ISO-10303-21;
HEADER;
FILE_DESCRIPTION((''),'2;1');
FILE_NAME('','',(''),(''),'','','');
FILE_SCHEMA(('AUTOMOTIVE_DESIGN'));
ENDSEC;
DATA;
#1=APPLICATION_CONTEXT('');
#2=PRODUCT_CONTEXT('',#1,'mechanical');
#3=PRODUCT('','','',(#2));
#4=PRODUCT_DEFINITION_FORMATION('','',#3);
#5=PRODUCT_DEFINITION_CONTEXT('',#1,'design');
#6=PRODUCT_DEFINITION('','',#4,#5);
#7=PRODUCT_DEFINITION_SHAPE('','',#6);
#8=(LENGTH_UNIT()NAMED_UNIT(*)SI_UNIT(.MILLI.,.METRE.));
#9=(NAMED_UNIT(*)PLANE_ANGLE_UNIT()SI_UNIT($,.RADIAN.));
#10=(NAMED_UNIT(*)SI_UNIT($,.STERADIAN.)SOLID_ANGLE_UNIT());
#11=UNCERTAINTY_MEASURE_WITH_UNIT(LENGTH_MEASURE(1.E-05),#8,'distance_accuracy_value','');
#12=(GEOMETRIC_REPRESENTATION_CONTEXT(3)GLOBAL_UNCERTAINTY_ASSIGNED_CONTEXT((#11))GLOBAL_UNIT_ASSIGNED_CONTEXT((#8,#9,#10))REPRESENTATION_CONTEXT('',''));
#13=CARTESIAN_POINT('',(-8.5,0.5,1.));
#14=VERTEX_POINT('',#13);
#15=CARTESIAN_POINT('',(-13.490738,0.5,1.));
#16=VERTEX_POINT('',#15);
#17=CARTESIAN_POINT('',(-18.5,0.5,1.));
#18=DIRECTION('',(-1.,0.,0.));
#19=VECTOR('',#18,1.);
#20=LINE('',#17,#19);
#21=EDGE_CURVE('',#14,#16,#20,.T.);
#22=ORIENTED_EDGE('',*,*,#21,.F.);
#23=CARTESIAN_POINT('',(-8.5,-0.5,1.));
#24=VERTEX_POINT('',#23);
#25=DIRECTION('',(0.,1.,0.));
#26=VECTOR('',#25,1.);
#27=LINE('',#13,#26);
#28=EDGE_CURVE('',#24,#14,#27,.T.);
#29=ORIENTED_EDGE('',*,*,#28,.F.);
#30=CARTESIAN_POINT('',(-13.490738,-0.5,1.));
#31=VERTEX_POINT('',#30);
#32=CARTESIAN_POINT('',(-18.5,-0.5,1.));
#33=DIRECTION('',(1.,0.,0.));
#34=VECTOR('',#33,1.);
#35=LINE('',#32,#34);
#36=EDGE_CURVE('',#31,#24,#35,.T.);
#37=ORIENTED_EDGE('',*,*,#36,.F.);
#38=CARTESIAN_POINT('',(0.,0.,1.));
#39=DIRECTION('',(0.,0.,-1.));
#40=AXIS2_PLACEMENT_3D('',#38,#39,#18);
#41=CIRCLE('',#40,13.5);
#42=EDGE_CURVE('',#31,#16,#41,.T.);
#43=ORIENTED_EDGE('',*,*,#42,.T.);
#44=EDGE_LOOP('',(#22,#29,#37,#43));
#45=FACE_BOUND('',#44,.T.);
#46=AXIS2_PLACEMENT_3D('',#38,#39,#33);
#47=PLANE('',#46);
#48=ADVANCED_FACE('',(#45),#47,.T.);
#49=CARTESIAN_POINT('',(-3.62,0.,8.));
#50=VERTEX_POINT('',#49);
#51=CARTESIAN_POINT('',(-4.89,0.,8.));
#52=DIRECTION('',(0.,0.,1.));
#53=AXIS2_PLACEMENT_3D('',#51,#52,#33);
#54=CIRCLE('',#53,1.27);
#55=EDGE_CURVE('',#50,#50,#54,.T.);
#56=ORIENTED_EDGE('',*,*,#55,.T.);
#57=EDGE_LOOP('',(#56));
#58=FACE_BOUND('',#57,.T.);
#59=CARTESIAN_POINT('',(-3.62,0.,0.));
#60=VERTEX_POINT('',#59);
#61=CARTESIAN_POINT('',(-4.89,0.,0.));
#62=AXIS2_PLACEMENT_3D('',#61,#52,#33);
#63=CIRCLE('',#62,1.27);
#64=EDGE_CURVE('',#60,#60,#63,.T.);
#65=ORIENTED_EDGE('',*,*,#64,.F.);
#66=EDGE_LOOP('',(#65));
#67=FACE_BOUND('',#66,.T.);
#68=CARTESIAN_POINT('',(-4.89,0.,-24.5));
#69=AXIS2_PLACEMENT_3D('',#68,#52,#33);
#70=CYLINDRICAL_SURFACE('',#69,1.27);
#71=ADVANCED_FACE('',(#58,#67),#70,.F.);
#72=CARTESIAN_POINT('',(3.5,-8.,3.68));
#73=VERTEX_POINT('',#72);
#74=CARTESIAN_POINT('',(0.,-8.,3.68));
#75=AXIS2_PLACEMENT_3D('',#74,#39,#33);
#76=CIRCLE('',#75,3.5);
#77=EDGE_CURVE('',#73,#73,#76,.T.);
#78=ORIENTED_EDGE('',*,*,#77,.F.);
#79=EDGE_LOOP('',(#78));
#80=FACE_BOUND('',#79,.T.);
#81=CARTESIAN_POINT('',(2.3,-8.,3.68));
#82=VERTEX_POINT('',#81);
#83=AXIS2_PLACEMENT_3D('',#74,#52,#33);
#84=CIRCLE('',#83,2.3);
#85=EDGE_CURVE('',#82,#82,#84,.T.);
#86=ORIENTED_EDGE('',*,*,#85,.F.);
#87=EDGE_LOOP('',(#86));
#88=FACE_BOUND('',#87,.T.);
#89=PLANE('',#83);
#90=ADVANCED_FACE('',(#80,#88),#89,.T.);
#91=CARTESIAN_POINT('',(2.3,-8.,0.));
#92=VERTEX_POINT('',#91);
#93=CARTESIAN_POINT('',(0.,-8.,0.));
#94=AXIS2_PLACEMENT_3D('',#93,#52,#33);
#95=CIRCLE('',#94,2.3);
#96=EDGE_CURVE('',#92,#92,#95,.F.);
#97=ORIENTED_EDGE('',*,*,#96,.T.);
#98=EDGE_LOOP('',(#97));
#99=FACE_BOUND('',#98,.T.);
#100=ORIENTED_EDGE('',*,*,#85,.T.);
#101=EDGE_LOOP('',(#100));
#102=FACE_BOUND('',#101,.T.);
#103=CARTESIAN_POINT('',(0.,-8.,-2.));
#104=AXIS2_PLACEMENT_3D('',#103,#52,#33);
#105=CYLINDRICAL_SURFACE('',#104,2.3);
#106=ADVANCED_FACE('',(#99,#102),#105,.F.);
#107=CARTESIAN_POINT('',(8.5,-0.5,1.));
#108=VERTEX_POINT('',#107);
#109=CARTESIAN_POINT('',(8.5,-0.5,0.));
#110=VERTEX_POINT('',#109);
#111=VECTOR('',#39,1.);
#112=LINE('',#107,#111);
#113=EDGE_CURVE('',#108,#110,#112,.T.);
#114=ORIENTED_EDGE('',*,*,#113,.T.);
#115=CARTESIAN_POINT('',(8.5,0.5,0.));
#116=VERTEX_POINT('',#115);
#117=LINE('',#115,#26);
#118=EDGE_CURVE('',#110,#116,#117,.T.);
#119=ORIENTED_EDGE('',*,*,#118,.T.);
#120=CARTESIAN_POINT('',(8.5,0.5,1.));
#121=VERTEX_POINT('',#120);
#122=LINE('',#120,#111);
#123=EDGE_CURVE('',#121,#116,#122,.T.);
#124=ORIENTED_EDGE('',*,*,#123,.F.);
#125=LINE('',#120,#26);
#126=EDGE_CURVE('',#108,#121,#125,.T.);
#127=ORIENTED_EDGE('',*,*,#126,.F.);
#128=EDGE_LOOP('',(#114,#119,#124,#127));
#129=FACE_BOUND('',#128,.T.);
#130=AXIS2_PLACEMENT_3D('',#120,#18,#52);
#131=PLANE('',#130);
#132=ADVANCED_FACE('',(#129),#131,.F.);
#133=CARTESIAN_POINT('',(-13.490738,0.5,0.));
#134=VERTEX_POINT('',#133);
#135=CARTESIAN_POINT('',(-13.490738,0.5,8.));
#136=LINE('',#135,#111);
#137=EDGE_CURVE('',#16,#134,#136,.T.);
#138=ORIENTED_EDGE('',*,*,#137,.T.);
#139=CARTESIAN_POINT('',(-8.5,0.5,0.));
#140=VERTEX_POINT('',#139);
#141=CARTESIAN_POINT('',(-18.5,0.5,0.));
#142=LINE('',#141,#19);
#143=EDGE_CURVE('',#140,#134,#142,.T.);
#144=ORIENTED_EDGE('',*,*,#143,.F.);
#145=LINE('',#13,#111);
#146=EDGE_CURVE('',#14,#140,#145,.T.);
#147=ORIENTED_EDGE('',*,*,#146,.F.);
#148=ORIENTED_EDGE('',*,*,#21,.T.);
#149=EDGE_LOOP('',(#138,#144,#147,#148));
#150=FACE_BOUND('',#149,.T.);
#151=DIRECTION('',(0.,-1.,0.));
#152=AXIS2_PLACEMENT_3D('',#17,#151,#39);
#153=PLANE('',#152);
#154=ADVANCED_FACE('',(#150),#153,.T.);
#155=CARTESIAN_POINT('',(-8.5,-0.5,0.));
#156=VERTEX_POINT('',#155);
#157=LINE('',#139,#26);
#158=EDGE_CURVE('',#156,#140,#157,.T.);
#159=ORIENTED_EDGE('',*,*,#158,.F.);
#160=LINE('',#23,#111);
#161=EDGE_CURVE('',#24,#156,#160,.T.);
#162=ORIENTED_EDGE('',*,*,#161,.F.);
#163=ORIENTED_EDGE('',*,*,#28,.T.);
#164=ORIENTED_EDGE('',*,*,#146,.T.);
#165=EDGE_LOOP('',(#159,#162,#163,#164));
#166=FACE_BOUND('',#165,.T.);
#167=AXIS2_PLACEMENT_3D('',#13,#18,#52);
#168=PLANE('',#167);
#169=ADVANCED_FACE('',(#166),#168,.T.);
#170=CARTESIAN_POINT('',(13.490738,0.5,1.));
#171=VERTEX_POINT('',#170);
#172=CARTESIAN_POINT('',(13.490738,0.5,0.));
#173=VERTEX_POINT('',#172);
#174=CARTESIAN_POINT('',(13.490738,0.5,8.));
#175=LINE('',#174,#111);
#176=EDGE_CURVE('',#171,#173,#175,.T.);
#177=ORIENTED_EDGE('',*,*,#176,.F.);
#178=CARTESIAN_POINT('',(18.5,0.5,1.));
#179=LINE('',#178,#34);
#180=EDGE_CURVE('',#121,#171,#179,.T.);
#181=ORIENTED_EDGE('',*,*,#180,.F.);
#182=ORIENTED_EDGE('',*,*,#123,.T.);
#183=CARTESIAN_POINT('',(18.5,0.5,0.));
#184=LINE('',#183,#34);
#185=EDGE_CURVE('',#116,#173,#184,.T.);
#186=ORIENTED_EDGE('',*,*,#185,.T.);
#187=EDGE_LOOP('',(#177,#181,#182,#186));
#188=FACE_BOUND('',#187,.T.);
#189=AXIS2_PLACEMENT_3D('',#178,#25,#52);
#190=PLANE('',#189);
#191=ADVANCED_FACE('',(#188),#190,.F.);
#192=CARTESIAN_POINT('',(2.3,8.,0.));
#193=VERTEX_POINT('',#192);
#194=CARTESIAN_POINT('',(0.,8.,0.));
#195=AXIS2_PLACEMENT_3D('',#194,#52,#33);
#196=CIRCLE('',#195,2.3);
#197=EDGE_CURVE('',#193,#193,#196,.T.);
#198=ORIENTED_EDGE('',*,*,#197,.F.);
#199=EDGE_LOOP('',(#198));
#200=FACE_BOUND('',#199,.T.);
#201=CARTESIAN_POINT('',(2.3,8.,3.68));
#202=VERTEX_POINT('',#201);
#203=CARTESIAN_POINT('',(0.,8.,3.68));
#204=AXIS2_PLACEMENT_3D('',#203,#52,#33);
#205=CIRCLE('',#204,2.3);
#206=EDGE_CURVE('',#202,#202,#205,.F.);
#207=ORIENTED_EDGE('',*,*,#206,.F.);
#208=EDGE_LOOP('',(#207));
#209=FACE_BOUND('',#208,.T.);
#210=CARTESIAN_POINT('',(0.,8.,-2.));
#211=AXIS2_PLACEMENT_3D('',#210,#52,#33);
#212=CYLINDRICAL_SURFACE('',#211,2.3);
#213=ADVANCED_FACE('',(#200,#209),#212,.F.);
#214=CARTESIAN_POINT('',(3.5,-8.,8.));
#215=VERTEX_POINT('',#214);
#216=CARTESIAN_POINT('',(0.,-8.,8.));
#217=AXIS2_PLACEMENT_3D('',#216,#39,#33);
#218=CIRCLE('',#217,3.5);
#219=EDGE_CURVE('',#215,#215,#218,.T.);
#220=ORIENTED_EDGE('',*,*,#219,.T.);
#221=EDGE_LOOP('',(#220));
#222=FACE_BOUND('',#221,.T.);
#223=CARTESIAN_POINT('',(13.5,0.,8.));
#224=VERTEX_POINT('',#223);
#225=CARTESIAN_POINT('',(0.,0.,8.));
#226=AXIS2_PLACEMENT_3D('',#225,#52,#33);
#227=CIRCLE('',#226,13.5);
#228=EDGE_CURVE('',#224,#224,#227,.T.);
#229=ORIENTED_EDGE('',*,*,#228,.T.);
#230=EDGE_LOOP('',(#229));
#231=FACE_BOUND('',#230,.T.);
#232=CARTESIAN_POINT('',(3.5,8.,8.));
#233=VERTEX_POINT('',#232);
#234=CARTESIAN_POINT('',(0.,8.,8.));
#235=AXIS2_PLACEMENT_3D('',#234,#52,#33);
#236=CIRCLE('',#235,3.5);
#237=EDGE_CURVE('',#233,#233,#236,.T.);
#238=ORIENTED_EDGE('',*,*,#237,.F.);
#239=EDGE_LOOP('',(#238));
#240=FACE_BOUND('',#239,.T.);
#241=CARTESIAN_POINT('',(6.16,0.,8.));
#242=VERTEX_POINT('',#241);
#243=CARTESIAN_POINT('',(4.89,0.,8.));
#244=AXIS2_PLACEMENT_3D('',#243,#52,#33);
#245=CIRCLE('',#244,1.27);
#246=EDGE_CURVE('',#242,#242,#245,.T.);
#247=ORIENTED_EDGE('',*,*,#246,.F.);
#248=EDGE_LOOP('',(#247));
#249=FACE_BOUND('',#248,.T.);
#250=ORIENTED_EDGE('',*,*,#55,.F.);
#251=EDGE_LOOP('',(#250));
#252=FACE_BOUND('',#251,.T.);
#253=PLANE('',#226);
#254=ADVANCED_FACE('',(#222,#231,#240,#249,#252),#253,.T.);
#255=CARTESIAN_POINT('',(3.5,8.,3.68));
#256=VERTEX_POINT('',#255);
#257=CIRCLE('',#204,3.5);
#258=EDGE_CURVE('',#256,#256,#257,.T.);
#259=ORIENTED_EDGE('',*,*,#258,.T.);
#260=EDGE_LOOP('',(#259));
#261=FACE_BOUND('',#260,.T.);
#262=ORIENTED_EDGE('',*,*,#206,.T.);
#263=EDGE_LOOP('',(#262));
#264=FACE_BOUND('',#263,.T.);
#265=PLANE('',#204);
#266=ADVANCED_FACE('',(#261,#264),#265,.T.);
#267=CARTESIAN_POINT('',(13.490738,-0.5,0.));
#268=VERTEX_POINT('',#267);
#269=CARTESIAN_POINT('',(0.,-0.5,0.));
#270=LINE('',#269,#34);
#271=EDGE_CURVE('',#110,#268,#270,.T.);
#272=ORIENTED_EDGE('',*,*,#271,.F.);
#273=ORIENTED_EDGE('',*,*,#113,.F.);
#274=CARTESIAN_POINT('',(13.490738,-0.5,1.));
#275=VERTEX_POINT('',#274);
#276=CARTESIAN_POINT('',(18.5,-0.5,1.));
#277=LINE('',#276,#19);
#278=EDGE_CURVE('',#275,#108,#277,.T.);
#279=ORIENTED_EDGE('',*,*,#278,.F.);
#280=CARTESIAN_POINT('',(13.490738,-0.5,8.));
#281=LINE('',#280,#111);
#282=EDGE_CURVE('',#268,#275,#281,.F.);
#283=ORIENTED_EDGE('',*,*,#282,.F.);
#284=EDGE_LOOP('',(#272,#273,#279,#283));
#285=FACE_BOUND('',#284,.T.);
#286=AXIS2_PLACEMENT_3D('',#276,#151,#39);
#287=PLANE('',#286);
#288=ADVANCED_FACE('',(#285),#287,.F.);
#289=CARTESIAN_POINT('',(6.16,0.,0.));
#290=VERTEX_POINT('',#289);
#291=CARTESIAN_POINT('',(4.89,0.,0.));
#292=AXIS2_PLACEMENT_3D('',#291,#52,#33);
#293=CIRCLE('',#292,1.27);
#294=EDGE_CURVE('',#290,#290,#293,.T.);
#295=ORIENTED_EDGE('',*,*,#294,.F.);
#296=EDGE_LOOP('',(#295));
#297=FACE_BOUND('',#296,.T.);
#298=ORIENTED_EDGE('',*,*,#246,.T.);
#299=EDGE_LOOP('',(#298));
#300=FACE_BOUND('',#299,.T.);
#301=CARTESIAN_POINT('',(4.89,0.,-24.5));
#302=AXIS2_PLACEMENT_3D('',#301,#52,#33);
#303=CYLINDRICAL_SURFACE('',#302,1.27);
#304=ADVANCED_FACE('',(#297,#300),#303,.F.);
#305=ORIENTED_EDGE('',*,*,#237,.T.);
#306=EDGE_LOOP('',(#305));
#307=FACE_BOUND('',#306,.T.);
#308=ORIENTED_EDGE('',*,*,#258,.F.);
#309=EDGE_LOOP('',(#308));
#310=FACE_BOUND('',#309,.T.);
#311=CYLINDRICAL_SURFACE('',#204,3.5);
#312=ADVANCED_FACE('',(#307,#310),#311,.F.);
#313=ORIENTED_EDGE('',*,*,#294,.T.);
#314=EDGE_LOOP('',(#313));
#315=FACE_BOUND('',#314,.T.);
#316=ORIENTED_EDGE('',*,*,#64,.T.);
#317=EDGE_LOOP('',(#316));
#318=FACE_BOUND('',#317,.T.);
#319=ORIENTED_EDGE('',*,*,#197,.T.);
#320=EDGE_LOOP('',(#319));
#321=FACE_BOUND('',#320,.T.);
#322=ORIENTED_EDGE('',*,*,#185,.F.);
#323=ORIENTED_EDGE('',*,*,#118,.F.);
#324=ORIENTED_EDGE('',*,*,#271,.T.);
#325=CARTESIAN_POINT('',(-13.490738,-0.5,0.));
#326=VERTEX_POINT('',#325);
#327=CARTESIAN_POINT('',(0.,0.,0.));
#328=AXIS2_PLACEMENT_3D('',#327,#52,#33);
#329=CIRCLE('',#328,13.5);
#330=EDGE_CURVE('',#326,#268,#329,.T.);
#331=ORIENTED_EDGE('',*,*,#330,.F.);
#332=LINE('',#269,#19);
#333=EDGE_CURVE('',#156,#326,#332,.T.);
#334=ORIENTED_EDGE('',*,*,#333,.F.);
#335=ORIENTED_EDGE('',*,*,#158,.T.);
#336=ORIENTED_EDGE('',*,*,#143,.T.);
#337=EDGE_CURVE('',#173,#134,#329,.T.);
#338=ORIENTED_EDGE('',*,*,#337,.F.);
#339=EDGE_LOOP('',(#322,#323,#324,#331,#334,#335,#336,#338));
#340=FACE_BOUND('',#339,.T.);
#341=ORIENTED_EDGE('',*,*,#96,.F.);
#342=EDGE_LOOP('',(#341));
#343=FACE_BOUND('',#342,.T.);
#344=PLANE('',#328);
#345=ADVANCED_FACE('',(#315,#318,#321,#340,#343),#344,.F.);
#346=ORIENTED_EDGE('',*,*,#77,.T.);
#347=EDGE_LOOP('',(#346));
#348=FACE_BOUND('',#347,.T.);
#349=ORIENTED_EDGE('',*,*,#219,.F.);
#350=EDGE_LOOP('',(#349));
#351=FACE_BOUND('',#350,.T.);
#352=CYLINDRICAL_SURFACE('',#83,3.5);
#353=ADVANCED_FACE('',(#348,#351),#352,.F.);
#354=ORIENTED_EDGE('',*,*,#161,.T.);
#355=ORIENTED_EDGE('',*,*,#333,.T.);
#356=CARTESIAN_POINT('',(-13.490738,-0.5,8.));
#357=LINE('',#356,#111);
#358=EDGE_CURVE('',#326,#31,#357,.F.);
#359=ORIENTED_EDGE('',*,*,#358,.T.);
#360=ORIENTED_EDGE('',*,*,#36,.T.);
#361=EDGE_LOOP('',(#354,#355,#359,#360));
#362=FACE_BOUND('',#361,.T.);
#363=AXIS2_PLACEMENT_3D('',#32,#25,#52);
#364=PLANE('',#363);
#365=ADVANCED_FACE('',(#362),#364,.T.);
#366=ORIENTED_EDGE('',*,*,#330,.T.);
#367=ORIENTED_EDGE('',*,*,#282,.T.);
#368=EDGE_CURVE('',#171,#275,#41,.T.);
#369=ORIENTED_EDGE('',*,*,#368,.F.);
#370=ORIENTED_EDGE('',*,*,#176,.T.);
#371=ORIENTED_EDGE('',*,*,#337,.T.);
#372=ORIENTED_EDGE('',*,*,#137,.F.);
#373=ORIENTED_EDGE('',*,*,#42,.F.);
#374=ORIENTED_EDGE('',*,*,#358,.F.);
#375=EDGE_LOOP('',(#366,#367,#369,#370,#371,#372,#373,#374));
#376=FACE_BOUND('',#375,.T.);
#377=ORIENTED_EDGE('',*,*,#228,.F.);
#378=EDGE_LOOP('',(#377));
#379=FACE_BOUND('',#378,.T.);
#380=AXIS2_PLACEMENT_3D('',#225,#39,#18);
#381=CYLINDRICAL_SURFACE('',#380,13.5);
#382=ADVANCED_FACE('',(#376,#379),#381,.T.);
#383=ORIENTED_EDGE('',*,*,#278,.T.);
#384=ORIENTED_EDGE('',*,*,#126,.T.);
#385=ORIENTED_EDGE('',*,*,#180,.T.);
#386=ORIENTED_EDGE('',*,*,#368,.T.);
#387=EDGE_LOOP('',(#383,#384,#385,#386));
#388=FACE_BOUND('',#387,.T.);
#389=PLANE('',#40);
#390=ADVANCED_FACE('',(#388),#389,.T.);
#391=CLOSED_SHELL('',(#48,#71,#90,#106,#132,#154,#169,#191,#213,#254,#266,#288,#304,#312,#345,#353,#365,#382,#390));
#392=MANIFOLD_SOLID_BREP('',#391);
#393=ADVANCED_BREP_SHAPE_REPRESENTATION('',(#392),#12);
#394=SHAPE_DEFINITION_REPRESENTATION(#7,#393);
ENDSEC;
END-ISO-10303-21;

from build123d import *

# Parameters (mm, degrees)
SKETCH2_R           = 13.5
BOSS_EXTRUDE1_DEPTH = 8
SKETCH5_R           = 2.3
CUT_EXTRUDE4_DEPTH  = 10
SKETCH8_W           = 10
SKETCH8_H           = 1
CUT_EXTRUDE5_DEPTH  = 1
SKETCH11_R          = 3.5
CUT_EXTRUDE6_DEPTH  = 4.32
SKETCH12_R          = 1.27
CUT_EXTRUDE7_DEPTH  = 32.5


with BuildPart() as part:
    # Sketch2 → Boss-Extrude1 (new body)
    with BuildSketch(Plane.XY):
        Circle(SKETCH2_R)
    extrude(amount=BOSS_EXTRUDE1_DEPTH)

    # Sketch5 → Cut-Extrude4 (cut)
    with BuildSketch(Plane.XY.offset(8)):
        with Locations((0, 8)):
            Circle(SKETCH5_R)
    cut_extrude4 = extrude(amount=-CUT_EXTRUDE4_DEPTH, mode=Mode.SUBTRACT)

    # Mirror1: Cut-Extrude4 across plane
    add(cut_extrude4.mirror(Plane.ZX), mode=Mode.SUBTRACT)

    # Sketch8 → Cut-Extrude5 (cut)
    with BuildSketch(Plane(origin=(0, 0, 0), x_dir=(-1, 0, 0), z_dir=(0, 0, -1))):
        with Locations((-13.5, 0)):
            Rectangle(SKETCH8_W, SKETCH8_H)
    cut_extrude5 = extrude(amount=-CUT_EXTRUDE5_DEPTH, mode=Mode.SUBTRACT)

    # Mirror2: Cut-Extrude5 across plane
    add(cut_extrude5.mirror(Plane(origin=(0, 0, 0), x_dir=(0, 0, 1), z_dir=(1, 0, 0))), mode=Mode.SUBTRACT)

    # Sketch11 → Cut-Extrude6 (cut)
    with BuildSketch(Plane.XY.offset(8)):
        with Locations((0, 8)):
            Circle(SKETCH11_R)
    cut_extrude6 = extrude(amount=-CUT_EXTRUDE6_DEPTH, mode=Mode.SUBTRACT)

    # Mirror3: Cut-Extrude6 across plane
    add(cut_extrude6.mirror(Plane.ZX), mode=Mode.SUBTRACT)

    # Sketch12 → Cut-Extrude7 (cut)
    with BuildSketch(Plane.XY.offset(8)):
        with Locations((4.89, 0)):
            Circle(SKETCH12_R)
        with Locations((-4.89, 0)):
            Circle(SKETCH12_R)
    extrude(amount=-CUT_EXTRUDE7_DEPTH, mode=Mode.SUBTRACT)


solid = part.part
